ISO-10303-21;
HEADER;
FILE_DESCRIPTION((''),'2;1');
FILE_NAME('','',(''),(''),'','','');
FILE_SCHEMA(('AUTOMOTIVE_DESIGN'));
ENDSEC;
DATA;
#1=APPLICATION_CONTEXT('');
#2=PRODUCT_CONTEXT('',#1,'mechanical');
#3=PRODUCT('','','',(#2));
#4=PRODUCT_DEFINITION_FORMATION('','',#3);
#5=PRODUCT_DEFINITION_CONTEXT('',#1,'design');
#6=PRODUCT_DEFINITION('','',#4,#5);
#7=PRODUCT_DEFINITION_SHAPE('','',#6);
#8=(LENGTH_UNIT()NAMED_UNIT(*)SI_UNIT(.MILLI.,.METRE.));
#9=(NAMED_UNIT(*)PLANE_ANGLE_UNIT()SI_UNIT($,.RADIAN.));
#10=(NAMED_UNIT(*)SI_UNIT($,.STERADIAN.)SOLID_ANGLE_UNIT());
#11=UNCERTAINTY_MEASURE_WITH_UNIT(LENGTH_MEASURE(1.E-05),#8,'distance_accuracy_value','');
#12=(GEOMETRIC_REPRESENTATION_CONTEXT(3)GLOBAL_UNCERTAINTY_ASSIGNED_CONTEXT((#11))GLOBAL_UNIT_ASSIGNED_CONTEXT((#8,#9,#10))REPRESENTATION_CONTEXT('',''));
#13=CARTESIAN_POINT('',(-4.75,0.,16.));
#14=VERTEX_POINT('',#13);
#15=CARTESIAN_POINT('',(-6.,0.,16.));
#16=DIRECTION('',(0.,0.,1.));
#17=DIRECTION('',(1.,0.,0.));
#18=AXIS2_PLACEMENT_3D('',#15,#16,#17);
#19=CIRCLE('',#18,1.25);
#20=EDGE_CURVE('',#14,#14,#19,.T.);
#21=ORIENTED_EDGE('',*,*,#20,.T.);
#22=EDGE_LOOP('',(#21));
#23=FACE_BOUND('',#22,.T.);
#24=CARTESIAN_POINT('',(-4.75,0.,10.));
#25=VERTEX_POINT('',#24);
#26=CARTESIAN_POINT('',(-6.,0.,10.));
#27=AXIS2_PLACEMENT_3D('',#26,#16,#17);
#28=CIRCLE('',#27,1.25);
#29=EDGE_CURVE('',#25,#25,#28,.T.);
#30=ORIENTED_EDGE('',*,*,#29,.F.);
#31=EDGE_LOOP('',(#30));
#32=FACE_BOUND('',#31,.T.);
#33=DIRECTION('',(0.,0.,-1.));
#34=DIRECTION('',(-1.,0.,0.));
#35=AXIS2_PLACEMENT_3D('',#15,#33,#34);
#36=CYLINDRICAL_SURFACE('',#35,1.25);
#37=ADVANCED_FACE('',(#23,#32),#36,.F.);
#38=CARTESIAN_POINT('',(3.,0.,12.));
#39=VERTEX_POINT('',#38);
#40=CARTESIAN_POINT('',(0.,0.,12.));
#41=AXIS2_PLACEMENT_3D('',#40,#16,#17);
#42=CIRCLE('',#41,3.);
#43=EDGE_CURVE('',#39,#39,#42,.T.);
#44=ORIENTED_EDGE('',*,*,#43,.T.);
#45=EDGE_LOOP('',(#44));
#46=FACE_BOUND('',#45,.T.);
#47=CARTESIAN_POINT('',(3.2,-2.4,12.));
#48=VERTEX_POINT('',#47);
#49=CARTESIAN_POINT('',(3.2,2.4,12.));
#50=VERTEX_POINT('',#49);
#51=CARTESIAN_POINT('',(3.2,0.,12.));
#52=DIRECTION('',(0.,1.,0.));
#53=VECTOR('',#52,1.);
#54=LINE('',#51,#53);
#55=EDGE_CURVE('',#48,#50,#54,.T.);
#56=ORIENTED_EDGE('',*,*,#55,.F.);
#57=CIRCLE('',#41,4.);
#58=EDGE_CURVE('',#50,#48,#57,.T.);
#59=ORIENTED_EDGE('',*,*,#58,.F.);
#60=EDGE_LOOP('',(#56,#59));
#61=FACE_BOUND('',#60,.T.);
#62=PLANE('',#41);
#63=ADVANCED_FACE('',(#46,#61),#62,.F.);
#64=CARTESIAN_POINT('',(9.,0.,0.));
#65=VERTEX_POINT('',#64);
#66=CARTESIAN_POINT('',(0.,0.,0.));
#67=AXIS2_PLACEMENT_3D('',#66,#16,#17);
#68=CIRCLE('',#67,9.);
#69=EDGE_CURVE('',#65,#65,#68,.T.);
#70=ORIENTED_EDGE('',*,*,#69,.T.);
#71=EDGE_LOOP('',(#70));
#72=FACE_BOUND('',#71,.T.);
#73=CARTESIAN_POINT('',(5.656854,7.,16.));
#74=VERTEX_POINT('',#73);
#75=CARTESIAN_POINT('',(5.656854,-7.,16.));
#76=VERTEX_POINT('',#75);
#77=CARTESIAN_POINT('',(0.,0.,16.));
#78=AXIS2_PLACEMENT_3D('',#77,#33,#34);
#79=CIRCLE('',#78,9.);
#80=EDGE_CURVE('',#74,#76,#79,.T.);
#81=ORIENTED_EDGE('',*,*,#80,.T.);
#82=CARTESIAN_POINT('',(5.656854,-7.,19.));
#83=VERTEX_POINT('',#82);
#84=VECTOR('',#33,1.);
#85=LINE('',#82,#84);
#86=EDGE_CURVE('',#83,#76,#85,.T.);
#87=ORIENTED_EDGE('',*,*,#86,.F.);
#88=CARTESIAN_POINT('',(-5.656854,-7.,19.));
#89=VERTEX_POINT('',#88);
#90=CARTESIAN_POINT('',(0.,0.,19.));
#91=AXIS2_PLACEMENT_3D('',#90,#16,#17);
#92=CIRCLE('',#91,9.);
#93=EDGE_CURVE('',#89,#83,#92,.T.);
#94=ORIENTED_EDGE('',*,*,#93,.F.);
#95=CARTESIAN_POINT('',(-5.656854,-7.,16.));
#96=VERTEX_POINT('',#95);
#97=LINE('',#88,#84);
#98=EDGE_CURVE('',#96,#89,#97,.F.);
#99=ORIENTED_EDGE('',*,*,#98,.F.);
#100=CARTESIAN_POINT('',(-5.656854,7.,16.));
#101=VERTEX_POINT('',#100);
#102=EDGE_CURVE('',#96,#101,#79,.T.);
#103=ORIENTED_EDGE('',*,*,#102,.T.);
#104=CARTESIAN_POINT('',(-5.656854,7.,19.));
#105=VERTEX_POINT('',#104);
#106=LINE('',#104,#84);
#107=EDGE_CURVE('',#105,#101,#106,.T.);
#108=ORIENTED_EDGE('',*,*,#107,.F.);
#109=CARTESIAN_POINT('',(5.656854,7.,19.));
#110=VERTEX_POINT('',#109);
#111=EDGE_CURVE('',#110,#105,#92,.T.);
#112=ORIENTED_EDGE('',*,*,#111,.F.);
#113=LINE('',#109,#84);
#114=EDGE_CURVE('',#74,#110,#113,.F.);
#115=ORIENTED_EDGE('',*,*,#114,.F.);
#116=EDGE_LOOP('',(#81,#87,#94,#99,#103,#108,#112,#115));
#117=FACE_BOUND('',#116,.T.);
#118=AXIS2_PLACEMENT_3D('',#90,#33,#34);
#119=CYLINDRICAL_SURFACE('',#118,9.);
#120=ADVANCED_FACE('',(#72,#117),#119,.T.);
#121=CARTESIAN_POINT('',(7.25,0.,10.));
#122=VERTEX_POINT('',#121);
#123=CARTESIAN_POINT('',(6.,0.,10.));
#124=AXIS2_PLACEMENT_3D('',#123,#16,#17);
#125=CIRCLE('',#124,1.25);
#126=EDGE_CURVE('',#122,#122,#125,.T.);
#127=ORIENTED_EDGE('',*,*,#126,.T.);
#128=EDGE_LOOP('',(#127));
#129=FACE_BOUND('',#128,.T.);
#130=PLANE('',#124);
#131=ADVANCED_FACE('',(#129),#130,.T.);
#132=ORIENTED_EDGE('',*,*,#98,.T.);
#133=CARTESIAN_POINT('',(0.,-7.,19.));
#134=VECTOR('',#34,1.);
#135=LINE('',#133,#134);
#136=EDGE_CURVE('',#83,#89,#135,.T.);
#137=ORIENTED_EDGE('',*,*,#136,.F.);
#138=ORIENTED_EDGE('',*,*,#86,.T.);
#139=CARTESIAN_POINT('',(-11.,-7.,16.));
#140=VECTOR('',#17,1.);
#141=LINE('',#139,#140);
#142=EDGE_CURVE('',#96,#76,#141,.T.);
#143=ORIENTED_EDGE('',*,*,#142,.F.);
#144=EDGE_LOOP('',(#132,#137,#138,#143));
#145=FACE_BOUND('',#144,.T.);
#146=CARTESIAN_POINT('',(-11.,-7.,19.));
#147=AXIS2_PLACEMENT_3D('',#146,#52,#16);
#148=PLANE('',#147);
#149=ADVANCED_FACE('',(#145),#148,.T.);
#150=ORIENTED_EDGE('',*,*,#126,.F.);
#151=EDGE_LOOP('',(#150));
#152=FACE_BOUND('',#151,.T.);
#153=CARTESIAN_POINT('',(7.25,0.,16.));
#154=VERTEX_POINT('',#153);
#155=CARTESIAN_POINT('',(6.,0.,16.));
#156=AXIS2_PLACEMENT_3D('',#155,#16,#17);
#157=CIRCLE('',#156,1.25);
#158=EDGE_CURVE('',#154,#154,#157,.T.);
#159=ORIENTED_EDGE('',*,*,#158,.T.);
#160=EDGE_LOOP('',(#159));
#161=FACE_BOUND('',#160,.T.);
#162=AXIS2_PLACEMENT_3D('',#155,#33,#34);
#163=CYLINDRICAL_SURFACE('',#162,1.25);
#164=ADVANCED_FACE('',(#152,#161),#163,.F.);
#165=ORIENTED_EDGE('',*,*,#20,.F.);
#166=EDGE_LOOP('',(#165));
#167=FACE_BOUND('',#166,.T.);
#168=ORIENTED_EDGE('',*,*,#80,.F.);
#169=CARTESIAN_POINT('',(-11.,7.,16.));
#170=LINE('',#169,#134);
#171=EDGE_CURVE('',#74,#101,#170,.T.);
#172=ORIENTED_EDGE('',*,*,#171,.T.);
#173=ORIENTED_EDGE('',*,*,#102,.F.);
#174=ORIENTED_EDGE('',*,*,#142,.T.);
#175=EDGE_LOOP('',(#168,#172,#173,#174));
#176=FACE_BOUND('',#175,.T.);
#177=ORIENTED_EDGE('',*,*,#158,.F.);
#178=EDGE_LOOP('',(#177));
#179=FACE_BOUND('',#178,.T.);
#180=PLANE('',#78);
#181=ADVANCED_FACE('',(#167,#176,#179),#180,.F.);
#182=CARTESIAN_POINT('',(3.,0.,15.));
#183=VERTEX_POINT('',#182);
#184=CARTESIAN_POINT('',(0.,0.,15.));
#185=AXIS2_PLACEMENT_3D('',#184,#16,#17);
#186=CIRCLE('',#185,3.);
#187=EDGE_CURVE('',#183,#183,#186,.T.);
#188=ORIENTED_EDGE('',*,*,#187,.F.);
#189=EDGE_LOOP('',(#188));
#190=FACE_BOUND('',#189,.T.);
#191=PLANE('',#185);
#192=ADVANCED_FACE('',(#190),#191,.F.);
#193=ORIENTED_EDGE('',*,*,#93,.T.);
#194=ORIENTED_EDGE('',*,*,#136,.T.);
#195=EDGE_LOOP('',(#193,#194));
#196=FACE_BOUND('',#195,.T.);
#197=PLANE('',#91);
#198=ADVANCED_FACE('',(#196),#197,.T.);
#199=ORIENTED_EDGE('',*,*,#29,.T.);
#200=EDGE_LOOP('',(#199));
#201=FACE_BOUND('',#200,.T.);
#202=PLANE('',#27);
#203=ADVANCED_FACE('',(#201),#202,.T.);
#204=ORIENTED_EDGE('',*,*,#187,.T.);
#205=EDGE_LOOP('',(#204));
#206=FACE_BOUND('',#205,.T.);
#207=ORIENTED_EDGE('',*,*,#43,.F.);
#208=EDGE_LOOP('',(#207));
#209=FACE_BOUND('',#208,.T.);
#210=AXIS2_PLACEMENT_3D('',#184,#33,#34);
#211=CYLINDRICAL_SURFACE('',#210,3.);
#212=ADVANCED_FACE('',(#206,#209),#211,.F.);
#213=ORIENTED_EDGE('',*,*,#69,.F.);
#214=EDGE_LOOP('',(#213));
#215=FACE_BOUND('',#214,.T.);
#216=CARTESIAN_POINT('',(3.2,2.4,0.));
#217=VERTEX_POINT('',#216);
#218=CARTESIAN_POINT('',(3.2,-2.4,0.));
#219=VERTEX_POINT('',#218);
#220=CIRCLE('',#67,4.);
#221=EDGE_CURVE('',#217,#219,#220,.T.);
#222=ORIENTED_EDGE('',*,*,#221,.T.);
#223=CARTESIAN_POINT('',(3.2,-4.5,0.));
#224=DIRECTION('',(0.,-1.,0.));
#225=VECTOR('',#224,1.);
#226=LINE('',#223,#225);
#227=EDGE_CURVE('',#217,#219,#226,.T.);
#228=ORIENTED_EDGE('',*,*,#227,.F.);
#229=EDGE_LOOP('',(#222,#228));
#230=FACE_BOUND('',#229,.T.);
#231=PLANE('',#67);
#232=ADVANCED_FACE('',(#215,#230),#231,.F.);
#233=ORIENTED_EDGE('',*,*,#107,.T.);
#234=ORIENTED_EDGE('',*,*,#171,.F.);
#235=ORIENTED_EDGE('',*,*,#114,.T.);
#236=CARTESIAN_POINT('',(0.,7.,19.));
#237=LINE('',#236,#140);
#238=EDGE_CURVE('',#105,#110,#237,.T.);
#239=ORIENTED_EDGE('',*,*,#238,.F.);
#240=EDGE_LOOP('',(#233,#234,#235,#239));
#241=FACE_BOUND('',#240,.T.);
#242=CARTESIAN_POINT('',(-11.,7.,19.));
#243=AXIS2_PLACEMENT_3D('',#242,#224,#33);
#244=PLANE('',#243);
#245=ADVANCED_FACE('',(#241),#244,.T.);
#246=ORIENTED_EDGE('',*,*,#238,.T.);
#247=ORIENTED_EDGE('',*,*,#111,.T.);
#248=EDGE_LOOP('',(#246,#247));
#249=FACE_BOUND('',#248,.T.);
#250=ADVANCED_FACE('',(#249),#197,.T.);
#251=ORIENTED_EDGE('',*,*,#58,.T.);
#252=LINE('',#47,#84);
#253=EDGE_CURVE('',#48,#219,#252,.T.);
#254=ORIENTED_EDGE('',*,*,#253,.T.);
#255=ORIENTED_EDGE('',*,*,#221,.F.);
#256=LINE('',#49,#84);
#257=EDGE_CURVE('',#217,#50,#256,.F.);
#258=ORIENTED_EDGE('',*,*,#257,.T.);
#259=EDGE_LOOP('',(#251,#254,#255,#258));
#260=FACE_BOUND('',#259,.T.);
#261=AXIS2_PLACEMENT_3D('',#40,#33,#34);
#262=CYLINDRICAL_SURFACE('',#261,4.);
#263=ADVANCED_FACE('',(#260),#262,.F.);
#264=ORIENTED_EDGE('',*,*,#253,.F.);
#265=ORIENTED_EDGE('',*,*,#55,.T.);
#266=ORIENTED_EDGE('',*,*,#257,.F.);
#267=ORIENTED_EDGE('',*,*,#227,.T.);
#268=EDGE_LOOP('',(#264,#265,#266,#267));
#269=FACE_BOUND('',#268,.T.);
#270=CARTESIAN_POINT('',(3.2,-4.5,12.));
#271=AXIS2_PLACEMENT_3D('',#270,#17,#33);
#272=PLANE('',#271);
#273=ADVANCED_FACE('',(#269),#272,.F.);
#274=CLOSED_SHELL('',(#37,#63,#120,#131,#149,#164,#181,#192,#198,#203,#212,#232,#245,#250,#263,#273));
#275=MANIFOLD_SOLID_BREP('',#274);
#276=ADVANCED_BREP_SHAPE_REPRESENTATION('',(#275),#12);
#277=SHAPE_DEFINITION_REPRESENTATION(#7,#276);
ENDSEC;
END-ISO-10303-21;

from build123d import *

# Parameters (mm, degrees)
SKETCH1_R           = 9
BODY_DEPTH          = 19
SKETCH2_R           = 4
BORE_DEPTH          = 12
SKETCH3_W           = 1.5
SKETCH3_H           = 9
BORE_FLAT_DEPTH     = 12
SKETCH4_R           = 3
MAGNET_POCKET_DEPTH = 3
SKETCH5_W           = 22
SKETCH5_H           = 14
ARM_SLOT_DEPTH      = 3
SKETCH6_R           = 1.25
ARM_SCREWS_DEPTH    = 6


with BuildPart() as part:
    # Sketch1 → Body (new body)
    with BuildSketch(Plane.XY):
        Circle(SKETCH1_R)
    extrude(amount=BODY_DEPTH)

    # Sketch2 → Bore (cut)
    with BuildSketch(Plane.XY):
        Circle(SKETCH2_R)
    extrude(amount=BORE_DEPTH, mode=Mode.SUBTRACT)

    # Sketch3 → Bore_flat (add)
    with BuildSketch(Plane.XY):
        with Locations((3.95, 0)):
            Rectangle(SKETCH3_W, SKETCH3_H)
    extrude(amount=BORE_FLAT_DEPTH)

    # Sketch4 → Magnet_pocket (cut)
    with BuildSketch(Plane.XY.offset(12)):
        Circle(SKETCH4_R)
    extrude(amount=MAGNET_POCKET_DEPTH, mode=Mode.SUBTRACT)

    # Sketch5 → Arm_slot (cut)
    with BuildSketch(Plane.XY.offset(16)):
        Rectangle(SKETCH5_W, SKETCH5_H)
    extrude(amount=ARM_SLOT_DEPTH, mode=Mode.SUBTRACT)

    # Sketch6 → Arm_screws (cut)
    with BuildSketch(Plane.XY.offset(10)):
        with Locations((-6, 0)):
            Circle(SKETCH6_R)
        with Locations((6, 0)):
            Circle(SKETCH6_R)
    extrude(amount=ARM_SCREWS_DEPTH, mode=Mode.SUBTRACT)


solid = part.part
